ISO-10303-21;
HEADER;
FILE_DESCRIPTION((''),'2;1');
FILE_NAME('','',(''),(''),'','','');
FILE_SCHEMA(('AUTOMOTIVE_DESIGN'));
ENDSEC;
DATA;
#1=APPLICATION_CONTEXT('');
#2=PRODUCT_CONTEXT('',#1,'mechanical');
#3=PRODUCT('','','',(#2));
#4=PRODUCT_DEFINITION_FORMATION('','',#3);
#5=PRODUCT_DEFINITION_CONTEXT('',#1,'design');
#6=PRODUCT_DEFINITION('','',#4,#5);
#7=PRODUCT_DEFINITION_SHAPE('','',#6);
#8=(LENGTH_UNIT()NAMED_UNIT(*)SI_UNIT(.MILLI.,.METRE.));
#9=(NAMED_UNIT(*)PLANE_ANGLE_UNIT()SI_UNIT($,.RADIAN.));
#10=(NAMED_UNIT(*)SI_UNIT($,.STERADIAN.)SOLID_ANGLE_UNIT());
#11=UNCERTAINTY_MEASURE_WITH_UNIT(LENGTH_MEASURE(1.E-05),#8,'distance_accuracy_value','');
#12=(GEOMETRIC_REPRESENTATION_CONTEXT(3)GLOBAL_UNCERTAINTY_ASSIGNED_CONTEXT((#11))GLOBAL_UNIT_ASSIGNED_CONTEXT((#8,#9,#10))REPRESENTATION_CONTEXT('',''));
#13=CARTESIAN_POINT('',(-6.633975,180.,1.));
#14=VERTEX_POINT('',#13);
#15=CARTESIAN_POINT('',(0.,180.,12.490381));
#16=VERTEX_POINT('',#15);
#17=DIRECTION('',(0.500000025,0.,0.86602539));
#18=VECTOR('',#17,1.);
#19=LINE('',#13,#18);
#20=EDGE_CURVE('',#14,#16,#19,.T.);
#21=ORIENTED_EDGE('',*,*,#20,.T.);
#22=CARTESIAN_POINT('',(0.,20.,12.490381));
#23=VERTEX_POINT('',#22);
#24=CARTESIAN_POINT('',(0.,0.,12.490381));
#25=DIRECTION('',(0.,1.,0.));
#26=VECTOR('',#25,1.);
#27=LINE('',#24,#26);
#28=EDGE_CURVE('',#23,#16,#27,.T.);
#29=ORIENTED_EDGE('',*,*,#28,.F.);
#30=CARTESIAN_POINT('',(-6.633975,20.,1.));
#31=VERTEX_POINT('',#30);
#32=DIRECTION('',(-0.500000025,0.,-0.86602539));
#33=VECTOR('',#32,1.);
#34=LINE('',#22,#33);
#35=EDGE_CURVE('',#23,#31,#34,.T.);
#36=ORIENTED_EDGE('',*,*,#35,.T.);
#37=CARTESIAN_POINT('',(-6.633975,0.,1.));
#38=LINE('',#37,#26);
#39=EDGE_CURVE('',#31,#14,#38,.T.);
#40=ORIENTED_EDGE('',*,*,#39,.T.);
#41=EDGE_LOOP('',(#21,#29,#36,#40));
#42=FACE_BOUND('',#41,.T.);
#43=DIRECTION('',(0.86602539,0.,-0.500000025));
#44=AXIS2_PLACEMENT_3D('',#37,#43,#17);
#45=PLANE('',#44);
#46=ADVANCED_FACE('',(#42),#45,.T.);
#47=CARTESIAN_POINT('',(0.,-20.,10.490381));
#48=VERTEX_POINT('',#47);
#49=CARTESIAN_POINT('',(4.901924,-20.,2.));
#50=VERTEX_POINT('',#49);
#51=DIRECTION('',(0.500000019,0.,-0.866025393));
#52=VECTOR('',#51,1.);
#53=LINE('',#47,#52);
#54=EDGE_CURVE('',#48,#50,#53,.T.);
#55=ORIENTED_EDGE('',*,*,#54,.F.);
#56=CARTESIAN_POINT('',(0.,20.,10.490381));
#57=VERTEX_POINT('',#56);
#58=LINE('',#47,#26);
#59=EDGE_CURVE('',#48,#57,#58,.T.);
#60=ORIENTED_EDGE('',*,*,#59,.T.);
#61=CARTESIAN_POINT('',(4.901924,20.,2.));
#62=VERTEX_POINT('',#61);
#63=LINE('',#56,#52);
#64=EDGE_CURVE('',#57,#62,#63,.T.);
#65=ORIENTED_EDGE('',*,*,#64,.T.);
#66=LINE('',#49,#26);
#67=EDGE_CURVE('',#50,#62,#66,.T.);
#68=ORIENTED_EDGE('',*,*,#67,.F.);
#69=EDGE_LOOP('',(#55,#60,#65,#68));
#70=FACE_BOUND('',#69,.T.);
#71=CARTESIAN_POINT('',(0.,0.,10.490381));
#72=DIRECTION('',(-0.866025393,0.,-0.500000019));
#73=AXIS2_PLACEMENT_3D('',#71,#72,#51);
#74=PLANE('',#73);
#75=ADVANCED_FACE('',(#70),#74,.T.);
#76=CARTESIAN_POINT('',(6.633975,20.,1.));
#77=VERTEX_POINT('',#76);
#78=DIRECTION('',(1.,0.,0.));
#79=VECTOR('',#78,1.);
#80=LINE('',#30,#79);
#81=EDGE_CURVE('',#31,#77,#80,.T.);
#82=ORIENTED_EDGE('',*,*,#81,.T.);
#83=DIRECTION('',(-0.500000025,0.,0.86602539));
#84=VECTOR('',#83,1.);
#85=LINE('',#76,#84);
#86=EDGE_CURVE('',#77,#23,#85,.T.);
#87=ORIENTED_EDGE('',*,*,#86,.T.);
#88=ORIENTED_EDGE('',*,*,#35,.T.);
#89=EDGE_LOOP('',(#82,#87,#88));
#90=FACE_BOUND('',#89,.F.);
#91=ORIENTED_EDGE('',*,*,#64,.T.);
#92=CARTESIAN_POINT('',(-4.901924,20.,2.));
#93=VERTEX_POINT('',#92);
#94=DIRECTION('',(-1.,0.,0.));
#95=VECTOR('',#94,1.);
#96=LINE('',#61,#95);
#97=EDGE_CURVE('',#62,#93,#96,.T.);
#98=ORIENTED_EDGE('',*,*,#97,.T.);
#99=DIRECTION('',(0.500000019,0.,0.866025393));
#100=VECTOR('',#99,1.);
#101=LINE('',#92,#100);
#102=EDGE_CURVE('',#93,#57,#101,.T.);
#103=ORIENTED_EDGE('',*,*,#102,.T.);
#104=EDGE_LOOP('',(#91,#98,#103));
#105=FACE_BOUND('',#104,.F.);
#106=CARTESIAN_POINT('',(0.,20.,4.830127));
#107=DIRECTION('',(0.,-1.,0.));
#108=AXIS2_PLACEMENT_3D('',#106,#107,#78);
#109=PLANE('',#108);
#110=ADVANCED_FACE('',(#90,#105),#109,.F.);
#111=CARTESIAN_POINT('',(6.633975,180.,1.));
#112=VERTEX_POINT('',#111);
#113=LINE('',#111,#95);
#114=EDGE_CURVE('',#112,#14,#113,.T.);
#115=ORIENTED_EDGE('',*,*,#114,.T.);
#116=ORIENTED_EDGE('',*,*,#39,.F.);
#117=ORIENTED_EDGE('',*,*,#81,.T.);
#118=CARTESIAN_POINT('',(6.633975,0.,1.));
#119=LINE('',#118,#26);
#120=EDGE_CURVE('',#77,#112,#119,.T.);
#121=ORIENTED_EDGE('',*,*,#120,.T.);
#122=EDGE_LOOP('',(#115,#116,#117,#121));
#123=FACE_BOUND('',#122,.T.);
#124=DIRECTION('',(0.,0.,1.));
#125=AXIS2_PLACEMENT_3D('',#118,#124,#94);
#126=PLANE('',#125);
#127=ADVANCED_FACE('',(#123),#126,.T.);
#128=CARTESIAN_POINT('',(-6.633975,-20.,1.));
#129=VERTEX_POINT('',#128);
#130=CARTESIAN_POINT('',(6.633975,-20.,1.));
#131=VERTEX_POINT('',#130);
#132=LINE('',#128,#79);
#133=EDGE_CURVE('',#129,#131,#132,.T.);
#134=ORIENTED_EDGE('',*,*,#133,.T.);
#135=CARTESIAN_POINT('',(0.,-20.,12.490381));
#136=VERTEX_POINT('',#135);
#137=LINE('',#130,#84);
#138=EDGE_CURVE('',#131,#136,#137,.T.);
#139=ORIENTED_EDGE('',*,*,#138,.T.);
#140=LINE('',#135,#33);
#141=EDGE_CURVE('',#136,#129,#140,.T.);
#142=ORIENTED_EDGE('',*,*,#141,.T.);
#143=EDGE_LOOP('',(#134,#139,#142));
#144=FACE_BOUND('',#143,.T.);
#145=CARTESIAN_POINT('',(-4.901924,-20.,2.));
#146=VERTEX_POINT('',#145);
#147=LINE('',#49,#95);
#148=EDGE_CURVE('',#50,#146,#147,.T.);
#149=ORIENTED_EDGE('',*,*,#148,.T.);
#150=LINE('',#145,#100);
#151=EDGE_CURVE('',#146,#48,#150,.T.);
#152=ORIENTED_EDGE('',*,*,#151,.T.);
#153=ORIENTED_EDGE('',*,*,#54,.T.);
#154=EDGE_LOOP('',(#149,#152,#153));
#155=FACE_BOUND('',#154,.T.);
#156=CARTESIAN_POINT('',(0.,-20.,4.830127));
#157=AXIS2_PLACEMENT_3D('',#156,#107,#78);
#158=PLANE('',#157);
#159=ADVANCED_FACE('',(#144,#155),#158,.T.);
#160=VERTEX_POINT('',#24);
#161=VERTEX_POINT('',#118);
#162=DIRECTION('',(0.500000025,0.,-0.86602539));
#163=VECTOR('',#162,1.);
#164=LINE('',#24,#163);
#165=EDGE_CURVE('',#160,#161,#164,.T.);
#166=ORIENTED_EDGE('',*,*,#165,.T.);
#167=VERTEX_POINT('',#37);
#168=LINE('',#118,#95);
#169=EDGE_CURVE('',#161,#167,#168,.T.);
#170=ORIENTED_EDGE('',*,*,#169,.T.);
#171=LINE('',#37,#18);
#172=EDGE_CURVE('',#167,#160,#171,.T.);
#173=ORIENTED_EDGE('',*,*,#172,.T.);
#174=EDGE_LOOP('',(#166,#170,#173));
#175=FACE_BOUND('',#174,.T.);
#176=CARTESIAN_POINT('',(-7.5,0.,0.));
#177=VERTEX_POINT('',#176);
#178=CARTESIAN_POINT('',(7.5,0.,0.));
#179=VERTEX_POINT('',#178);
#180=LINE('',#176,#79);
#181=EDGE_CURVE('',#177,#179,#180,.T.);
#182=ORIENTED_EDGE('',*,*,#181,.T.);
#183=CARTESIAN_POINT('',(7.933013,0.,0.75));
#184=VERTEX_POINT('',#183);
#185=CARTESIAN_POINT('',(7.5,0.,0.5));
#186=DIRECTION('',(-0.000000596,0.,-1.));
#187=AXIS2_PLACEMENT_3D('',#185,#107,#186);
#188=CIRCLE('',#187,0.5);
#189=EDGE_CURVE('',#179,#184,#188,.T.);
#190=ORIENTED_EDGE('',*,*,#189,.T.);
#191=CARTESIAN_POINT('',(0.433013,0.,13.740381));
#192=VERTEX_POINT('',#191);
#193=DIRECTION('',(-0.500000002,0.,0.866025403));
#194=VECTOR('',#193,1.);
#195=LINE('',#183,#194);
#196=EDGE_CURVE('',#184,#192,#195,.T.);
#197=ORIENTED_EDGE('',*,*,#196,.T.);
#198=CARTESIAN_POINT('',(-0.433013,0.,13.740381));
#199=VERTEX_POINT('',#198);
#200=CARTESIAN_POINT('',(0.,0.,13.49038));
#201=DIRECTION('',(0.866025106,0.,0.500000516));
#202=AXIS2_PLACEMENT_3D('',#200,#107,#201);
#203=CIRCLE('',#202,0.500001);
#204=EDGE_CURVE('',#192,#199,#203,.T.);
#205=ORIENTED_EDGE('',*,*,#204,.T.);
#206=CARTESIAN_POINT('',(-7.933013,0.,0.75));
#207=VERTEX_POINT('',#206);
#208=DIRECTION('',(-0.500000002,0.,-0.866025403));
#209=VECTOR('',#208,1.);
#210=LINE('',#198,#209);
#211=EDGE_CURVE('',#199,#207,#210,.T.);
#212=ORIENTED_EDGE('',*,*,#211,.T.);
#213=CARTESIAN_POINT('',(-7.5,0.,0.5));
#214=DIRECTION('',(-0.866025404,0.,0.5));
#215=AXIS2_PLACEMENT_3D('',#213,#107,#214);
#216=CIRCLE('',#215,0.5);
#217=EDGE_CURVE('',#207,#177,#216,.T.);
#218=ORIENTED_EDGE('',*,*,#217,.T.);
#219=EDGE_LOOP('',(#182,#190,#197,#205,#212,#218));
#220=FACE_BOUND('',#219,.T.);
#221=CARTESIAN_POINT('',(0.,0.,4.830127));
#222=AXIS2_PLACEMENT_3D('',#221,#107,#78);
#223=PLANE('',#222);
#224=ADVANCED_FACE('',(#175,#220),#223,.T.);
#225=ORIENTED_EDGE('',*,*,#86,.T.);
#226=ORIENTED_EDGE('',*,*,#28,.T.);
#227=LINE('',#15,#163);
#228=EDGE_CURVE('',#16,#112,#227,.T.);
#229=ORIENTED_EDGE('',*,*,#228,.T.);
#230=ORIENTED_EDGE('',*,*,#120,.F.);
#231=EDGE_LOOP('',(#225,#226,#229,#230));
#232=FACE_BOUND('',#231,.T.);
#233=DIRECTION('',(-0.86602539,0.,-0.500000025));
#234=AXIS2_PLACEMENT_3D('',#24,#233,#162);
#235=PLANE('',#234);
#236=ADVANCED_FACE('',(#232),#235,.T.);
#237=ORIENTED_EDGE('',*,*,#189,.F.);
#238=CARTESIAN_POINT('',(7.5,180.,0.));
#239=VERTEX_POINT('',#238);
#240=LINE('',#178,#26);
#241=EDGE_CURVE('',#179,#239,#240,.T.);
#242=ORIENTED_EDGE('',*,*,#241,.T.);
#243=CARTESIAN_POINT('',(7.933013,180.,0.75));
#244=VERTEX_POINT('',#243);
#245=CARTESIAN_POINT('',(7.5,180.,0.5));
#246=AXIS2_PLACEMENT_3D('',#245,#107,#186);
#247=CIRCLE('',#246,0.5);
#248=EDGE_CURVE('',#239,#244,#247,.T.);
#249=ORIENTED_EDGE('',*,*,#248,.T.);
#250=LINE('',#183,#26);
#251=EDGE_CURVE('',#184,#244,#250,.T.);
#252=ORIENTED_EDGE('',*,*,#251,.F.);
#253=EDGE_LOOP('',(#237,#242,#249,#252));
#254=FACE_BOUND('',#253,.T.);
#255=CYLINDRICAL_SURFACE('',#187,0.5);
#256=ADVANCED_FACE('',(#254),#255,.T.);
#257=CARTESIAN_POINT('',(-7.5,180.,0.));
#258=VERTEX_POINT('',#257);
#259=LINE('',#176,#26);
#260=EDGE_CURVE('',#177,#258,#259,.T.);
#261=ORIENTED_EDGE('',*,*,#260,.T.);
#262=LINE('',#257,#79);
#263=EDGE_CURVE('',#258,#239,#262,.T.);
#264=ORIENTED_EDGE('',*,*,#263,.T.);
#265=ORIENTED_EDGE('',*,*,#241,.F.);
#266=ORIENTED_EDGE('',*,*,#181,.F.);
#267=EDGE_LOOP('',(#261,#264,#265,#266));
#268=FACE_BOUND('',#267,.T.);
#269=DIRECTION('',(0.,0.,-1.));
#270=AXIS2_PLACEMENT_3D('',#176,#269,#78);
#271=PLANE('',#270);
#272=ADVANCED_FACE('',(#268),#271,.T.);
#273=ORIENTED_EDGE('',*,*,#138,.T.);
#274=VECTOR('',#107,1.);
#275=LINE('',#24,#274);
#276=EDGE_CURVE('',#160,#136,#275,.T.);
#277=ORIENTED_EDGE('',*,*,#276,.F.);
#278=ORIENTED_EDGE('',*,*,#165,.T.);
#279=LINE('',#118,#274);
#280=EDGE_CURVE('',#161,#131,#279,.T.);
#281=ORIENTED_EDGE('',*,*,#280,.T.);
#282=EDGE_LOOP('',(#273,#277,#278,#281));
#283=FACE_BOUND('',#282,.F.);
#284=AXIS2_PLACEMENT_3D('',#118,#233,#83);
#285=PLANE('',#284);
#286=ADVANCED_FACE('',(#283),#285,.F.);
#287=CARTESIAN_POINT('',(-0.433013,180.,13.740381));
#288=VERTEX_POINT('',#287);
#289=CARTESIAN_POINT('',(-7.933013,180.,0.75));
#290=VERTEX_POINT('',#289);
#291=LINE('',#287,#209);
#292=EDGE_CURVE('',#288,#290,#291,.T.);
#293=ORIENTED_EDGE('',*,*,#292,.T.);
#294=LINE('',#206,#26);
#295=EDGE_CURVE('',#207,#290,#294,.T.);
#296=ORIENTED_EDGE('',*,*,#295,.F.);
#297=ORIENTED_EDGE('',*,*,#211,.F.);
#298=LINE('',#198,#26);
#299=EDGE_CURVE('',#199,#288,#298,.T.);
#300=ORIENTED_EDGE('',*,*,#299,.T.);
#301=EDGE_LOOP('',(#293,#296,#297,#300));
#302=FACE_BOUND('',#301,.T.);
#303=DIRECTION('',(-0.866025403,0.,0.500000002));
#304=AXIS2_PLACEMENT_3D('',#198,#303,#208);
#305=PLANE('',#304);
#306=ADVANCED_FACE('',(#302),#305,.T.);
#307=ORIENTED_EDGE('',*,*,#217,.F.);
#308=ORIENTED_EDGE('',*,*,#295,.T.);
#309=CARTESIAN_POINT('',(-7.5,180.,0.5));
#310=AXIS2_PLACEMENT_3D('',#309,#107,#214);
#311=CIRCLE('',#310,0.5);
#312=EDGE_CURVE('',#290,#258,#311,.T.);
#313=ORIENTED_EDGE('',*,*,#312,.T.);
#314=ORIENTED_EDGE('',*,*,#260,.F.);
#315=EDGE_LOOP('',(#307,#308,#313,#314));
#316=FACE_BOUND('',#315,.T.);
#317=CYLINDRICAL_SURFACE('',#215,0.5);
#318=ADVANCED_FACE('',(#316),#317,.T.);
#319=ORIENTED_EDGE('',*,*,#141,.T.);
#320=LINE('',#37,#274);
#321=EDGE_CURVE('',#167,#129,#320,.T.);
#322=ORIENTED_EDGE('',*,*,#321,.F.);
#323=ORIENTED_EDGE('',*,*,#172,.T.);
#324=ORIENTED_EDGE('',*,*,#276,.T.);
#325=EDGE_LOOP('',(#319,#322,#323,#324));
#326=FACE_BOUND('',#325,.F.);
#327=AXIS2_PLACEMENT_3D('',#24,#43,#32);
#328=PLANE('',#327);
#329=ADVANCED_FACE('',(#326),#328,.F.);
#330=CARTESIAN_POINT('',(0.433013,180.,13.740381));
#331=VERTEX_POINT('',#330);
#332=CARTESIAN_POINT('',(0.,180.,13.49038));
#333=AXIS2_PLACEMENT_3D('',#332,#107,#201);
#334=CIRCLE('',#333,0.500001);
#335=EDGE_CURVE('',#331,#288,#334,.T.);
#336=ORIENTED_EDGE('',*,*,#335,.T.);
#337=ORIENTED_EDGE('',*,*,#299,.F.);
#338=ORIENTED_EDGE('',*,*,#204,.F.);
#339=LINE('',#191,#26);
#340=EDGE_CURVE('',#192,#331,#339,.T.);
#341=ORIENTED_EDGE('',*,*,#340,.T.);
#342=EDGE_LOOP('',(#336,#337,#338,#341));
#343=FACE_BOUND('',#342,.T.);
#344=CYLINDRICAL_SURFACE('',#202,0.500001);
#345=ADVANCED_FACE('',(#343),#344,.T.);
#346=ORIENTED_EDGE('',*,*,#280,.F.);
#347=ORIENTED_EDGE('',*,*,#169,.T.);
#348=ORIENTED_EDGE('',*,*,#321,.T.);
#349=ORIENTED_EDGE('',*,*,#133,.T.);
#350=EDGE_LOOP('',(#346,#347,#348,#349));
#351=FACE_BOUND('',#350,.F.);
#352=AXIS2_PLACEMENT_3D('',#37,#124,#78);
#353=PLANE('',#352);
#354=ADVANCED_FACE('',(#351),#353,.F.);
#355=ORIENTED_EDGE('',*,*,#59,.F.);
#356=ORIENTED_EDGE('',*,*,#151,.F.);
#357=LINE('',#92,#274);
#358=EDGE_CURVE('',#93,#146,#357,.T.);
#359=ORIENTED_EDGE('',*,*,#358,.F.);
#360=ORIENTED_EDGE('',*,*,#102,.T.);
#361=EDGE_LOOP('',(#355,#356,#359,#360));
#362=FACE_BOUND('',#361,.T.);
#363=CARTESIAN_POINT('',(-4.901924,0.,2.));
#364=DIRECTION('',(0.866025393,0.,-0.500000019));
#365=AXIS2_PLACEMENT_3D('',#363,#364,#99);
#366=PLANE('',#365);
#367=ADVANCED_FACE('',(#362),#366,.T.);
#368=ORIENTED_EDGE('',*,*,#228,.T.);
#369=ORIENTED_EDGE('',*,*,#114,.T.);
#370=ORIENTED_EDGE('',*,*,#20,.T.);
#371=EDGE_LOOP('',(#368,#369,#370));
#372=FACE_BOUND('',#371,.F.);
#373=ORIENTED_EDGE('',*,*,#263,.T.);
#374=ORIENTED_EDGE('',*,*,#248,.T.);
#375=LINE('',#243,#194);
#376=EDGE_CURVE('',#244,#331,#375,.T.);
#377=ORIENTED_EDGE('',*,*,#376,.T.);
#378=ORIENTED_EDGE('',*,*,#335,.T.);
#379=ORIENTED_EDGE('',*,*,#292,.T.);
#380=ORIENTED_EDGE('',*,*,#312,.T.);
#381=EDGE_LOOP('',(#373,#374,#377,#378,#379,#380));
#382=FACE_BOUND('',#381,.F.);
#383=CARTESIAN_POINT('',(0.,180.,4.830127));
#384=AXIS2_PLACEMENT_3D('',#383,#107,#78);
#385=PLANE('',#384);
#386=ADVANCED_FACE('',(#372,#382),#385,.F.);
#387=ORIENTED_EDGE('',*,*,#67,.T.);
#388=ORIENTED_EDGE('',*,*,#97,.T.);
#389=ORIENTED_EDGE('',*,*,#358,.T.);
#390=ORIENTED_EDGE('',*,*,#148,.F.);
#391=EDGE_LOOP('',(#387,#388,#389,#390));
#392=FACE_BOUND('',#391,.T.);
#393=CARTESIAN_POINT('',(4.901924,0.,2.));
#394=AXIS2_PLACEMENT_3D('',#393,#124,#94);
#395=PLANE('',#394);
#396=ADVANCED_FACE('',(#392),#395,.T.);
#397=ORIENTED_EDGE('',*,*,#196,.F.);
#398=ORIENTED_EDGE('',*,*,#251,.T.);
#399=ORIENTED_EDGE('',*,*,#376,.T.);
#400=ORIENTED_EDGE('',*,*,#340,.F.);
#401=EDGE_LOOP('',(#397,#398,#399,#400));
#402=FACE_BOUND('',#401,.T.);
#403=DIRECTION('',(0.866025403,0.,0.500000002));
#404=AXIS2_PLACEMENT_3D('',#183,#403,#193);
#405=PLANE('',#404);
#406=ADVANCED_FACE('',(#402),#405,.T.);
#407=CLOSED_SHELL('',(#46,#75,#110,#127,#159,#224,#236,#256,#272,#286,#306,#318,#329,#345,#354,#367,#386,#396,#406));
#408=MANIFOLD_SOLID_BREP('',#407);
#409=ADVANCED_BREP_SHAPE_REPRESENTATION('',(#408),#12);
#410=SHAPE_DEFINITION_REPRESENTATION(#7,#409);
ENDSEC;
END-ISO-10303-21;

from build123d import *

# Parameters (mm, degrees)
F1_DEPTH      = 180
F2_DEPTH      = 20
F2_DEPTH_BACK = 20


with BuildPart() as f1:
    # F0 (on Front) → F1 (new body)
    with BuildSketch(Plane.XZ):
        with BuildLine():
            ThreePointArc((-7.933013, 0.75), (-7.933013, 0.25), (-7.5, 0))
            Line((-7.5, 0), (7.5, 0))
            ThreePointArc((7.5, 0), (7.933013, 0.25), (7.933013, 0.75))
            Line((7.933013, 0.75), (0.433013, 13.740381))
            ThreePointArc((0.433013, 13.740381), (0, 13.990381), (-0.433013, 13.740381))
            Line((-0.433013, 13.740381), (-7.933013, 0.75))
        make_face()
        Polygon((-6.633975, 1), (0, 12.490381), (6.633975, 1), align=None, mode=Mode.SUBTRACT)
    extrude(amount=-F1_DEPTH)

    # F0 (on Front) → F2 (join, two sides)
    with BuildSketch(Plane.XZ) as f2_sk:
        Polygon((6.633975, 1), (0, 12.490381), (-6.633975, 1), align=None)
        Polygon((-4.901924, 2), (0, 10.490381), (4.901924, 2), align=None, mode=Mode.SUBTRACT)
    extrude(amount=F2_DEPTH)
    extrude(f2_sk.sketch, amount=-F2_DEPTH_BACK)


solid = f1.part
